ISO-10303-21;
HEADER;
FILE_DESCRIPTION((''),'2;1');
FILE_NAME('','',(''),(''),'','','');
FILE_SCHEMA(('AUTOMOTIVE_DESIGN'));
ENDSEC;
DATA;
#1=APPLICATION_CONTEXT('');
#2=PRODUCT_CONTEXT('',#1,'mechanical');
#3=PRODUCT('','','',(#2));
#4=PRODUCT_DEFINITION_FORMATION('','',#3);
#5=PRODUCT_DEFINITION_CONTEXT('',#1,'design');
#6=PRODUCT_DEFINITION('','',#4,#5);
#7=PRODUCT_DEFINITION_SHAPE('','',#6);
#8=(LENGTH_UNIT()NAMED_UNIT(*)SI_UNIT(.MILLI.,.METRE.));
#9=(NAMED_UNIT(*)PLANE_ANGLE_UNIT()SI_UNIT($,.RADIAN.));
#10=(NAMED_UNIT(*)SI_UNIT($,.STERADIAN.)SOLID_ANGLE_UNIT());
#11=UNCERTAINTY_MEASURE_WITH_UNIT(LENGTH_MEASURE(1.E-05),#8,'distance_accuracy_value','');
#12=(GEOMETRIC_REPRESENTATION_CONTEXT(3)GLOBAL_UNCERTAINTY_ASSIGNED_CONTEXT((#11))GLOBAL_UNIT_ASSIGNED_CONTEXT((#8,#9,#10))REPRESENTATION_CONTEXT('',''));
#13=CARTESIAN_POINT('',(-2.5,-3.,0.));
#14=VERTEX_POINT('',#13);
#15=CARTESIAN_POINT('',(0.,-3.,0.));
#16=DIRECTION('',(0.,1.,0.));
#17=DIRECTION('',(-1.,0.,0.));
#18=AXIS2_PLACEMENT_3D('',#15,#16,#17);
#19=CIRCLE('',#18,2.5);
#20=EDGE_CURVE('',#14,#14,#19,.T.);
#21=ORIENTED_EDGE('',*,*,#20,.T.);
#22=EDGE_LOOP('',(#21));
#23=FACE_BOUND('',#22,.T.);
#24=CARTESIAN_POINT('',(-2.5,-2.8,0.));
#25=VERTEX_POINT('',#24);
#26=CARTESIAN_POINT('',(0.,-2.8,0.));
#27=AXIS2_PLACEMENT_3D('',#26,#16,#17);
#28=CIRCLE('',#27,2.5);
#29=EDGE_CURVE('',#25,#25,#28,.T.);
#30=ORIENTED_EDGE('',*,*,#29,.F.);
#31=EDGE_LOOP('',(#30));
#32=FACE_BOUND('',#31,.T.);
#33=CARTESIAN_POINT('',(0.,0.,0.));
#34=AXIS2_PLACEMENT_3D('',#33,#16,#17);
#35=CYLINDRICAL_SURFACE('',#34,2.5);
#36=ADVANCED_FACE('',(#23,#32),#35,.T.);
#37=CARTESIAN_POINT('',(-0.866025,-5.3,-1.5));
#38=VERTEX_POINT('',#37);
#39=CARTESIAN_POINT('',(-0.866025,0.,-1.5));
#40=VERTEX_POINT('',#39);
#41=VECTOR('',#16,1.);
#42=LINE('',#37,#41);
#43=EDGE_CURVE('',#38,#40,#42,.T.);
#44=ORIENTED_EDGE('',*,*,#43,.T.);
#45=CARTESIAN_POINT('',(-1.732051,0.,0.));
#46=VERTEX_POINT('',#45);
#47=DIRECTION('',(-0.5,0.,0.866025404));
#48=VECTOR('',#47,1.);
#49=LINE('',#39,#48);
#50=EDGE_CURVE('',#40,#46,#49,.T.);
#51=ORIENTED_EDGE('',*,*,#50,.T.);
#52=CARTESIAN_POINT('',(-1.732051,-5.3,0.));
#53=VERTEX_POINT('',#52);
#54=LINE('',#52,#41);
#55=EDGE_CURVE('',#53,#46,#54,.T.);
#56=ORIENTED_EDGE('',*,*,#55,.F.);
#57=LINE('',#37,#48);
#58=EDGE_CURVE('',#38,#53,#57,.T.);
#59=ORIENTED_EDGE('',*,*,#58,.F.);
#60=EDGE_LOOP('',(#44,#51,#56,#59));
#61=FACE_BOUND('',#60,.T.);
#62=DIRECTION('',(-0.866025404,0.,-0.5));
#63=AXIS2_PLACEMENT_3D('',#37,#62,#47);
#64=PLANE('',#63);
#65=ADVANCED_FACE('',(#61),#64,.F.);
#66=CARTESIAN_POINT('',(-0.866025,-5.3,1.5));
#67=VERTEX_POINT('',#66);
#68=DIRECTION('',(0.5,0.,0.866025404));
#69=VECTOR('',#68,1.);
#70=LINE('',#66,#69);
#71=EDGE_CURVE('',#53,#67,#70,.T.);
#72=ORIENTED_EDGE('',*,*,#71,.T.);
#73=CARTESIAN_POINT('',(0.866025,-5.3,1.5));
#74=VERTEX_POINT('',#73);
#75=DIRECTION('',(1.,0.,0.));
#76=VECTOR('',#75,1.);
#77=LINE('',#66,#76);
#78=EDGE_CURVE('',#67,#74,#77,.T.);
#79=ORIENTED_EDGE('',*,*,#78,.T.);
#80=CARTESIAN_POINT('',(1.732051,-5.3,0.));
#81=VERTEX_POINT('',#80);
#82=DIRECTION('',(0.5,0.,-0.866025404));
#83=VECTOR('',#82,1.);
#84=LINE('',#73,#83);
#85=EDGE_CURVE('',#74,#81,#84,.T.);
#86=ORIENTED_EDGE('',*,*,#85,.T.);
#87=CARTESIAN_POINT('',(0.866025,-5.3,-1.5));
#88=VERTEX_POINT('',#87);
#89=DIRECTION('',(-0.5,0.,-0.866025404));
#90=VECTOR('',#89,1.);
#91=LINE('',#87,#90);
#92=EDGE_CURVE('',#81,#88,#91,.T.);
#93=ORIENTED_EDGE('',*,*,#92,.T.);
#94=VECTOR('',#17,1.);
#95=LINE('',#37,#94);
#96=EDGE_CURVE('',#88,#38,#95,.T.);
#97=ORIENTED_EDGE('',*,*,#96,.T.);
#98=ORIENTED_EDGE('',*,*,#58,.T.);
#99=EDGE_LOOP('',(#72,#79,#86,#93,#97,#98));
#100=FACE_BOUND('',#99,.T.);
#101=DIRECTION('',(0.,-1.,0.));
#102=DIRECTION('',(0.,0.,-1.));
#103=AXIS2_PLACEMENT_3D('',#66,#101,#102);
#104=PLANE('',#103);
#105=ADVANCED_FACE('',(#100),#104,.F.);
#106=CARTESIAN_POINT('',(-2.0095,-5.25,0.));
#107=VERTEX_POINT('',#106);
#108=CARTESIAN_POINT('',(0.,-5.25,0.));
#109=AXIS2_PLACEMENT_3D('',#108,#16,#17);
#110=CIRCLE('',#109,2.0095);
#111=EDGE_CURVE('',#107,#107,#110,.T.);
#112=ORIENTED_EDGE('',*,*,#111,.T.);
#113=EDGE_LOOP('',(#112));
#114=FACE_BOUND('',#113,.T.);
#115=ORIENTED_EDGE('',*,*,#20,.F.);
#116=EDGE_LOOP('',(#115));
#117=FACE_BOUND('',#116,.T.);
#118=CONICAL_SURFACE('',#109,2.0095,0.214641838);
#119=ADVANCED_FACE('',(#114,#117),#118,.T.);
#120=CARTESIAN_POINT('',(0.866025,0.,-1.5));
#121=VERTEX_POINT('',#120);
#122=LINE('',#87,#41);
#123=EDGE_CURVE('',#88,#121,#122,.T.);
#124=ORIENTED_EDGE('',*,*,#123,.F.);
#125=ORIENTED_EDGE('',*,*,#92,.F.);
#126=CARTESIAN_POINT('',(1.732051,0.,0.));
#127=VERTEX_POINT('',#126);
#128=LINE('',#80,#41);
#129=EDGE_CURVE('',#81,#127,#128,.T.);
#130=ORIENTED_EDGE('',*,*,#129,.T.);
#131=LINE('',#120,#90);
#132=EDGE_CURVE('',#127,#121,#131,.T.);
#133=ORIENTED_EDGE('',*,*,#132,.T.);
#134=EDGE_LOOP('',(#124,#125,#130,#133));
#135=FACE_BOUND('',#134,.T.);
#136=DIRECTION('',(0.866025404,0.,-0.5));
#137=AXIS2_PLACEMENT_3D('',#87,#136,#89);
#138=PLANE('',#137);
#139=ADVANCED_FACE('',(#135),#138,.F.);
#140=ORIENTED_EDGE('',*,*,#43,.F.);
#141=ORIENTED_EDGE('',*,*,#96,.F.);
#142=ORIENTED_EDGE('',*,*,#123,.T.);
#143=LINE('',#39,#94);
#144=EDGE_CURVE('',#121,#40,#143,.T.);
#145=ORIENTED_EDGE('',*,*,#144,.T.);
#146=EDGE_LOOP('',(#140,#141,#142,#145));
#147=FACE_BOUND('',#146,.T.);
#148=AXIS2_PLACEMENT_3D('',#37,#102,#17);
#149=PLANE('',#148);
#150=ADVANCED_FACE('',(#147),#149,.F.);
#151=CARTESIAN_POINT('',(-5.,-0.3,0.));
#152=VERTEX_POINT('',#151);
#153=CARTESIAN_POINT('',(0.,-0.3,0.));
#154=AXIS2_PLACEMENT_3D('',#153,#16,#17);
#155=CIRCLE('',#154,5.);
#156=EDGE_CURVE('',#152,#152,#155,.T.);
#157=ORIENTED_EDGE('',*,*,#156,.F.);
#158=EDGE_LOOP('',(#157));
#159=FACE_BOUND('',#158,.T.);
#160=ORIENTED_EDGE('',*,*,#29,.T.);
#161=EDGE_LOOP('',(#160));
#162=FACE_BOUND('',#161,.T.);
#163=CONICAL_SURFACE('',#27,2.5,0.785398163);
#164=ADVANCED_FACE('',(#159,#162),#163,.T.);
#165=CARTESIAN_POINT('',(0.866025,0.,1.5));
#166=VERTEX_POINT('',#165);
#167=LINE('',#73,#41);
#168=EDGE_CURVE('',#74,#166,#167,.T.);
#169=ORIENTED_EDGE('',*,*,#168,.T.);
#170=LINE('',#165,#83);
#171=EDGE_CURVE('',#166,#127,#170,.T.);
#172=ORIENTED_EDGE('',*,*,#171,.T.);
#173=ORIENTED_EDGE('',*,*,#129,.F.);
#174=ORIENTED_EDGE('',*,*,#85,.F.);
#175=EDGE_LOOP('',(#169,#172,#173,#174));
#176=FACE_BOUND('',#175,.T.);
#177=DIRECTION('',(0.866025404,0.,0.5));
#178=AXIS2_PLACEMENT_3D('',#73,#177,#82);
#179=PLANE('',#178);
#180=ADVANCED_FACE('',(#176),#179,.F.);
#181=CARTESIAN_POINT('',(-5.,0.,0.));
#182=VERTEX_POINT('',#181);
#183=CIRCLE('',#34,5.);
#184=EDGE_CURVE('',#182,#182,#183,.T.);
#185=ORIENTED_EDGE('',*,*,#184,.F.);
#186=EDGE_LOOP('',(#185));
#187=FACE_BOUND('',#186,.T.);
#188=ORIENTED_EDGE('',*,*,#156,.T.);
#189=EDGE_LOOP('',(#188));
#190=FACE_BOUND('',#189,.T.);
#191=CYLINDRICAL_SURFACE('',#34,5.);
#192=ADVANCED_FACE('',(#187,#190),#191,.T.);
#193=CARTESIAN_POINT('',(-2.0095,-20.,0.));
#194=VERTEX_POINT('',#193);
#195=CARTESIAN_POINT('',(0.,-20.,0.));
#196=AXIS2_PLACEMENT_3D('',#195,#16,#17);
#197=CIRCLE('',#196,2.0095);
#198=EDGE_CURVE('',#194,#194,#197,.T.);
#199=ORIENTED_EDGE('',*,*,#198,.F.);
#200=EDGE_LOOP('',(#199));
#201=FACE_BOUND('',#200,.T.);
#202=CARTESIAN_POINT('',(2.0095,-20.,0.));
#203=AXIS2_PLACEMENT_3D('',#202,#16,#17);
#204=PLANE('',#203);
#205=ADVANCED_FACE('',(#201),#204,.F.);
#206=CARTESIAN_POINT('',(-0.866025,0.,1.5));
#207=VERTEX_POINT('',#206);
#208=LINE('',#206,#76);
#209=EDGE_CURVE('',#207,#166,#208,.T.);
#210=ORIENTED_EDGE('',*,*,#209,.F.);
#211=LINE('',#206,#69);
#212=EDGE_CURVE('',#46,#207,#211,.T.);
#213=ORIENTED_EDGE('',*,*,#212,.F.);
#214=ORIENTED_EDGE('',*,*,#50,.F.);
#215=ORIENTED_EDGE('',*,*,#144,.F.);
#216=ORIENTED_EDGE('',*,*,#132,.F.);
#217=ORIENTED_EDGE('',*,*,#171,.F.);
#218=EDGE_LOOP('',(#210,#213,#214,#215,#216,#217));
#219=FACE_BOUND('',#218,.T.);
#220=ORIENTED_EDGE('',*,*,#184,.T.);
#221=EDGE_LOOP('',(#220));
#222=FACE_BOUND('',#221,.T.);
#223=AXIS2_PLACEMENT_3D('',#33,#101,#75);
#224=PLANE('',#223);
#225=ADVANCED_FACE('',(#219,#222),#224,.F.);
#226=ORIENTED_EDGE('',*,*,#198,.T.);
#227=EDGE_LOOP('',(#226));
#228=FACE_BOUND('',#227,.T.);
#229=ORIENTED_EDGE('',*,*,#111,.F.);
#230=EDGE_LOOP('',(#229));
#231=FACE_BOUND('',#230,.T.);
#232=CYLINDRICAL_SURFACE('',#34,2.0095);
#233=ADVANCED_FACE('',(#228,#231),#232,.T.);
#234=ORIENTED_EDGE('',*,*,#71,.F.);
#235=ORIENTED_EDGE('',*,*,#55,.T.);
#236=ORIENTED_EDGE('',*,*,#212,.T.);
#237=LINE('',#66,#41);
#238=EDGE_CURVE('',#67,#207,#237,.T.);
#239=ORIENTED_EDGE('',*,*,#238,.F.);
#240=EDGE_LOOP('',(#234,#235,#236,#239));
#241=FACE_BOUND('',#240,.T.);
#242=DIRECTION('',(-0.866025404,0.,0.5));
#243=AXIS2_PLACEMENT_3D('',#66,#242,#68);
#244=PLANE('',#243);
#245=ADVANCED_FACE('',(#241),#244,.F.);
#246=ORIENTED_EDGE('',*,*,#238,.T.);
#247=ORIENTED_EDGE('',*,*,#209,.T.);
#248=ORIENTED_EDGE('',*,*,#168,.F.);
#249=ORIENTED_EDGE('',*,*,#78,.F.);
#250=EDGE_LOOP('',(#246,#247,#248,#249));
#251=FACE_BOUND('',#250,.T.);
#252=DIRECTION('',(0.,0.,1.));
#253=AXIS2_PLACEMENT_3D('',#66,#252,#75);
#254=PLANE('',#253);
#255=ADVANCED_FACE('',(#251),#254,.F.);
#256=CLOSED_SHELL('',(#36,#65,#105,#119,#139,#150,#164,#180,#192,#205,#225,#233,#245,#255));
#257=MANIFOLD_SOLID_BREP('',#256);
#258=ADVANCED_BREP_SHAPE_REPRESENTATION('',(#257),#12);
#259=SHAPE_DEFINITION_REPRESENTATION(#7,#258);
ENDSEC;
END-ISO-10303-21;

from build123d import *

# Parameters (mm, degrees)
SCHNITT_LINEAR_AUSTRAGEN1_DEPTH = 5.3


with BuildPart() as part:
    # Skizze1 → Basis-Rotation (revolve)
    with BuildSketch(Plane.XY, mode=Mode.PRIVATE) as basis_rotation_sk:
        Polygon((0, 0), (5, 0), (5, -0.3), (2.5, -2.8), (2.5, -3), (2.0095, -5.25), (2.0095, -20), (0, -20), align=None)
    revolve(basis_rotation_sk.sketch.rotate(Axis((0, 0, 0), (0, -1, 0)), 180), axis=Axis((0, 0, 0), (0, -1, 0)))

    # Skizze2 → Schnitt-Linear austragen1 (cut)
    with BuildSketch(Plane(origin=(0, 0, 0), x_dir=(-1, 0, 0), z_dir=(0, 1, 0))):
        Polygon((0.866025404, -1.5), (-0.866025404, -1.5), (-1.732050808, 0), (-0.866025404, 1.5), (0.866025404, 1.5), (1.732050808, 0), align=None)
    extrude(amount=-SCHNITT_LINEAR_AUSTRAGEN1_DEPTH, mode=Mode.SUBTRACT)


solid = part.part
